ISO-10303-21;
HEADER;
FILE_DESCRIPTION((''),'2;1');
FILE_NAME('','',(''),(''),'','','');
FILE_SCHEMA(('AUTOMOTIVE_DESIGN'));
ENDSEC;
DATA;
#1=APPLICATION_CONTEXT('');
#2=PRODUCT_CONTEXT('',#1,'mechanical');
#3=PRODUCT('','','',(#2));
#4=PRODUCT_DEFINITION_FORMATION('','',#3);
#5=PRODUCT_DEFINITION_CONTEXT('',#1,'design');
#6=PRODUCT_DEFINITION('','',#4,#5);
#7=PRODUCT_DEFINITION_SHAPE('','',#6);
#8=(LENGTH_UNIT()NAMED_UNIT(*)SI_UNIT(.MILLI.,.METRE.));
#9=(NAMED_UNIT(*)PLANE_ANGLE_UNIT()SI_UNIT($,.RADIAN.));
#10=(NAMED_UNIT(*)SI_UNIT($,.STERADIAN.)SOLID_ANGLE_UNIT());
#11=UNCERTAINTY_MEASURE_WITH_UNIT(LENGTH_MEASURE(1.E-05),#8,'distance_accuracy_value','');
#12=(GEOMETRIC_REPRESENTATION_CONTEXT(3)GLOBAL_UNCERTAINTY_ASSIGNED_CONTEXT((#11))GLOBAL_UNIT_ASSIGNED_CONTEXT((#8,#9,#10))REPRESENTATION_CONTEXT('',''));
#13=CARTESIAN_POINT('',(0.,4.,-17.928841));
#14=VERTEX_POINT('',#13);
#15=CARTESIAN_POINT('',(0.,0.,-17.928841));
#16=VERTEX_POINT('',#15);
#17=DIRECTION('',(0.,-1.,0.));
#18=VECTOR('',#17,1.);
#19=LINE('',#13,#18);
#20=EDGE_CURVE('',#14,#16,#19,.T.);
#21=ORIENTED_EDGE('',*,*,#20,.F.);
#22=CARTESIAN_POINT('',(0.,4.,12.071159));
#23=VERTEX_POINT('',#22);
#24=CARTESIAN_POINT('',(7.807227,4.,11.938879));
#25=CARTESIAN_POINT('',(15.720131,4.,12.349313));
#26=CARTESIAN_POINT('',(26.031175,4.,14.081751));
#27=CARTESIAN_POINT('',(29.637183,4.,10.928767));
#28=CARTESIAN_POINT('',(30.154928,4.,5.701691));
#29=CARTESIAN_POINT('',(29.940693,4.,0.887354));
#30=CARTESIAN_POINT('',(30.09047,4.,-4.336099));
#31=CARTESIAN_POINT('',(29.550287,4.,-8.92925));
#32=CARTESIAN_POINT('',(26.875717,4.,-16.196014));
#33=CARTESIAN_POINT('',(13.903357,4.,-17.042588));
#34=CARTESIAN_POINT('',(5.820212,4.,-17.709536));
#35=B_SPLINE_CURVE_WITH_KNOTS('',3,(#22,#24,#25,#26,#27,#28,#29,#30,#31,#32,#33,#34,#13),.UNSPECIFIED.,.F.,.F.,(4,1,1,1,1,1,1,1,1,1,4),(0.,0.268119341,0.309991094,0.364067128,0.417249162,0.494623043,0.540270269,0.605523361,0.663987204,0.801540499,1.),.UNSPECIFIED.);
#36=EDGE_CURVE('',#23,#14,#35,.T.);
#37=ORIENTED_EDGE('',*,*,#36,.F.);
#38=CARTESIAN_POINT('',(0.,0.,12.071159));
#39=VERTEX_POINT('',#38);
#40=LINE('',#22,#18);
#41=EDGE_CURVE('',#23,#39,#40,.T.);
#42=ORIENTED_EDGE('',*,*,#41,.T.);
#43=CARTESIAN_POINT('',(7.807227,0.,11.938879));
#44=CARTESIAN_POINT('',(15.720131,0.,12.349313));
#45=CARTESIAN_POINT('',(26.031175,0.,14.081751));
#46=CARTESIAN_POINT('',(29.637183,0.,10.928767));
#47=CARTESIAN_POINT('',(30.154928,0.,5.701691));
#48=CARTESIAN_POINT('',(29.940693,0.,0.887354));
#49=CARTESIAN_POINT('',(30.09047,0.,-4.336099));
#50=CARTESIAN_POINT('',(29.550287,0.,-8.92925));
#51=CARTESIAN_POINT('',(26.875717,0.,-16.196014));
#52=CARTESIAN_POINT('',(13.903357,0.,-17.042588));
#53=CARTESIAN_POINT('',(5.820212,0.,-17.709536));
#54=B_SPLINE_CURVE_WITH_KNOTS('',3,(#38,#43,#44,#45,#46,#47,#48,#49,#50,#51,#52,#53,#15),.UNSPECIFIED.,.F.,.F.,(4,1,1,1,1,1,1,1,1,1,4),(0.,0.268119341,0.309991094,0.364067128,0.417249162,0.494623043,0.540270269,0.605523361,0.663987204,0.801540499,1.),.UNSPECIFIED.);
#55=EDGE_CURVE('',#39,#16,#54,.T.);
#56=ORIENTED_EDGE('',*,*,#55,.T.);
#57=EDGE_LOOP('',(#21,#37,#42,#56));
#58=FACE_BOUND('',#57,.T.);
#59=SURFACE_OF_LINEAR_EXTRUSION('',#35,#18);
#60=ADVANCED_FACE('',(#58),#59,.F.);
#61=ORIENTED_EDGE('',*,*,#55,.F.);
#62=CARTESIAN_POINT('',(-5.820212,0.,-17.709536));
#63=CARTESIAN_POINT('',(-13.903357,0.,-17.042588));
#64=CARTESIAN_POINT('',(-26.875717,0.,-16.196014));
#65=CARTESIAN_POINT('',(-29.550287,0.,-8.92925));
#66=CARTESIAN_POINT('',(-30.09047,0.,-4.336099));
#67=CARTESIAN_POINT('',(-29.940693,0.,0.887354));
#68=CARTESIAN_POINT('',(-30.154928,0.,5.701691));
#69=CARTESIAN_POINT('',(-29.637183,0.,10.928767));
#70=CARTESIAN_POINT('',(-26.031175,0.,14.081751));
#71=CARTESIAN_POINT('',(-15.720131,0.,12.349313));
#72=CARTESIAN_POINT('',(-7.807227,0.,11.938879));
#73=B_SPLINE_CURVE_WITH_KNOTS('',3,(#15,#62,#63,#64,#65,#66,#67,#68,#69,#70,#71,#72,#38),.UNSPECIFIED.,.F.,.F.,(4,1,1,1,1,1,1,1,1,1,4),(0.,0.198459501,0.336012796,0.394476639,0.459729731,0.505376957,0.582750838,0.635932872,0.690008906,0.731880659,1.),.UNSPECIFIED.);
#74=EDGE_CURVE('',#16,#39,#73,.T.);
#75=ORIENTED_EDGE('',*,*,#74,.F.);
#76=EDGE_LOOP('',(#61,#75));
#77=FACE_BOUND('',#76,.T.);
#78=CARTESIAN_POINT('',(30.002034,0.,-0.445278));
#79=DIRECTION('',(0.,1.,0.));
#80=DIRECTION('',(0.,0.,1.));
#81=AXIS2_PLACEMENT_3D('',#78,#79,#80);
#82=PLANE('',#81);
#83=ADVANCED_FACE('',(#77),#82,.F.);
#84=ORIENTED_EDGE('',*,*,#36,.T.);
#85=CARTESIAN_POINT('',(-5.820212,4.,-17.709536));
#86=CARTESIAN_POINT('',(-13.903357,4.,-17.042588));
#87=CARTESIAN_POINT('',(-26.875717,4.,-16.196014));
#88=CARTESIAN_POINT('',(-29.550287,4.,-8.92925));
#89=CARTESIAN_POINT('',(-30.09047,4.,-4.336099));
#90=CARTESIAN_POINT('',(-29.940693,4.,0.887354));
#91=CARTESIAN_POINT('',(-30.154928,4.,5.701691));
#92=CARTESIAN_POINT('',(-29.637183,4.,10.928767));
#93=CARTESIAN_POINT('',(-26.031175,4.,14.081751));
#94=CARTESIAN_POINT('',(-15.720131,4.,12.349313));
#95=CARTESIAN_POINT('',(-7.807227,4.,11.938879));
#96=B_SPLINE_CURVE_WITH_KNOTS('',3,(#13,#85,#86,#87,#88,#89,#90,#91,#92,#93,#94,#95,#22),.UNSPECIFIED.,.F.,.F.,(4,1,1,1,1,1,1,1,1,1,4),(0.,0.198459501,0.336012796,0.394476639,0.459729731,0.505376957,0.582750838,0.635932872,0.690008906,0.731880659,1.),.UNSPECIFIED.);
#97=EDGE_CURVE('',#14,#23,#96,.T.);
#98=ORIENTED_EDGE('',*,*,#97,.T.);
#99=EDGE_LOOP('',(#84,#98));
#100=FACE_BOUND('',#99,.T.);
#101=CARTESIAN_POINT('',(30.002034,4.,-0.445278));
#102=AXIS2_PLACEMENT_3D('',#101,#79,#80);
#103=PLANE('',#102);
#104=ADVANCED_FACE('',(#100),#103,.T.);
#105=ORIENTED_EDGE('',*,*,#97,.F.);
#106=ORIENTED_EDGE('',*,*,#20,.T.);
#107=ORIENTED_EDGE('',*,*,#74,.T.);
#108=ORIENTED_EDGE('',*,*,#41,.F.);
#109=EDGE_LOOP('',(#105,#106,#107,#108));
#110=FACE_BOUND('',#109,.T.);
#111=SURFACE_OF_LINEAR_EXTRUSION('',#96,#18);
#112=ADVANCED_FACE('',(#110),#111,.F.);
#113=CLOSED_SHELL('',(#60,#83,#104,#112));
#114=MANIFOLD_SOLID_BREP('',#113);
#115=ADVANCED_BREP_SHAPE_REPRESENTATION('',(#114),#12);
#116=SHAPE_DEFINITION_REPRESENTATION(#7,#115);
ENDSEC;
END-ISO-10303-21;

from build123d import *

# Parameters (mm, degrees)
Y_KSEKLIK_EKSTR_ZYON1_DEPTH = 4


with BuildPart() as part:
    # Çizim1 → Yükseklik-Ekstrüzyon1 (new body)
    with BuildSketch(Plane(origin=(0, 0, 0), x_dir=(1, 0, 0), z_dir=(0, 1, 0))):
        with BuildLine():
            add(Edge.make_bspline(
                [(0, 17.928841308), (-5.820212095, 17.709536244), (-13.903357487, 17.042587637), (-26.87571665, 16.196014495), (-29.550286899, 8.929250371), (-30.090469717, 4.336098712), (-29.940693307, -0.887353996), (-30.154927851, -5.701691423), (-29.637182829, -10.928766593), (-26.031174583, -14.081750554), (-15.720131404, -12.349312728), (-7.807226576, -11.938879102), (0, -12.071158692)],
                knots=[0, 0, 0, 0, 0.198459501, 0.336012796, 0.394476639, 0.459729731, 0.505376957, 0.582750838, 0.635932872, 0.690008906, 0.731880659, 1, 1, 1, 1], degree=3))
            add(Edge.make_bspline(
                [(0, 17.928841308), (5.820212095, 17.709536244), (13.903357487, 17.042587637), (26.87571665, 16.196014495), (29.550286899, 8.929250371), (30.090469717, 4.336098712), (29.940693307, -0.887353996), (30.154927851, -5.701691423), (29.637182829, -10.928766593), (26.031174583, -14.081750554), (15.720131404, -12.349312728), (7.807226576, -11.938879102), (0, -12.071158692)],
                knots=[0, 0, 0, 0, 0.198459501, 0.336012796, 0.394476639, 0.459729731, 0.505376957, 0.582750838, 0.635932872, 0.690008906, 0.731880659, 1, 1, 1, 1], degree=3))
        make_face()
    extrude(amount=Y_KSEKLIK_EKSTR_ZYON1_DEPTH)


solid = part.part
